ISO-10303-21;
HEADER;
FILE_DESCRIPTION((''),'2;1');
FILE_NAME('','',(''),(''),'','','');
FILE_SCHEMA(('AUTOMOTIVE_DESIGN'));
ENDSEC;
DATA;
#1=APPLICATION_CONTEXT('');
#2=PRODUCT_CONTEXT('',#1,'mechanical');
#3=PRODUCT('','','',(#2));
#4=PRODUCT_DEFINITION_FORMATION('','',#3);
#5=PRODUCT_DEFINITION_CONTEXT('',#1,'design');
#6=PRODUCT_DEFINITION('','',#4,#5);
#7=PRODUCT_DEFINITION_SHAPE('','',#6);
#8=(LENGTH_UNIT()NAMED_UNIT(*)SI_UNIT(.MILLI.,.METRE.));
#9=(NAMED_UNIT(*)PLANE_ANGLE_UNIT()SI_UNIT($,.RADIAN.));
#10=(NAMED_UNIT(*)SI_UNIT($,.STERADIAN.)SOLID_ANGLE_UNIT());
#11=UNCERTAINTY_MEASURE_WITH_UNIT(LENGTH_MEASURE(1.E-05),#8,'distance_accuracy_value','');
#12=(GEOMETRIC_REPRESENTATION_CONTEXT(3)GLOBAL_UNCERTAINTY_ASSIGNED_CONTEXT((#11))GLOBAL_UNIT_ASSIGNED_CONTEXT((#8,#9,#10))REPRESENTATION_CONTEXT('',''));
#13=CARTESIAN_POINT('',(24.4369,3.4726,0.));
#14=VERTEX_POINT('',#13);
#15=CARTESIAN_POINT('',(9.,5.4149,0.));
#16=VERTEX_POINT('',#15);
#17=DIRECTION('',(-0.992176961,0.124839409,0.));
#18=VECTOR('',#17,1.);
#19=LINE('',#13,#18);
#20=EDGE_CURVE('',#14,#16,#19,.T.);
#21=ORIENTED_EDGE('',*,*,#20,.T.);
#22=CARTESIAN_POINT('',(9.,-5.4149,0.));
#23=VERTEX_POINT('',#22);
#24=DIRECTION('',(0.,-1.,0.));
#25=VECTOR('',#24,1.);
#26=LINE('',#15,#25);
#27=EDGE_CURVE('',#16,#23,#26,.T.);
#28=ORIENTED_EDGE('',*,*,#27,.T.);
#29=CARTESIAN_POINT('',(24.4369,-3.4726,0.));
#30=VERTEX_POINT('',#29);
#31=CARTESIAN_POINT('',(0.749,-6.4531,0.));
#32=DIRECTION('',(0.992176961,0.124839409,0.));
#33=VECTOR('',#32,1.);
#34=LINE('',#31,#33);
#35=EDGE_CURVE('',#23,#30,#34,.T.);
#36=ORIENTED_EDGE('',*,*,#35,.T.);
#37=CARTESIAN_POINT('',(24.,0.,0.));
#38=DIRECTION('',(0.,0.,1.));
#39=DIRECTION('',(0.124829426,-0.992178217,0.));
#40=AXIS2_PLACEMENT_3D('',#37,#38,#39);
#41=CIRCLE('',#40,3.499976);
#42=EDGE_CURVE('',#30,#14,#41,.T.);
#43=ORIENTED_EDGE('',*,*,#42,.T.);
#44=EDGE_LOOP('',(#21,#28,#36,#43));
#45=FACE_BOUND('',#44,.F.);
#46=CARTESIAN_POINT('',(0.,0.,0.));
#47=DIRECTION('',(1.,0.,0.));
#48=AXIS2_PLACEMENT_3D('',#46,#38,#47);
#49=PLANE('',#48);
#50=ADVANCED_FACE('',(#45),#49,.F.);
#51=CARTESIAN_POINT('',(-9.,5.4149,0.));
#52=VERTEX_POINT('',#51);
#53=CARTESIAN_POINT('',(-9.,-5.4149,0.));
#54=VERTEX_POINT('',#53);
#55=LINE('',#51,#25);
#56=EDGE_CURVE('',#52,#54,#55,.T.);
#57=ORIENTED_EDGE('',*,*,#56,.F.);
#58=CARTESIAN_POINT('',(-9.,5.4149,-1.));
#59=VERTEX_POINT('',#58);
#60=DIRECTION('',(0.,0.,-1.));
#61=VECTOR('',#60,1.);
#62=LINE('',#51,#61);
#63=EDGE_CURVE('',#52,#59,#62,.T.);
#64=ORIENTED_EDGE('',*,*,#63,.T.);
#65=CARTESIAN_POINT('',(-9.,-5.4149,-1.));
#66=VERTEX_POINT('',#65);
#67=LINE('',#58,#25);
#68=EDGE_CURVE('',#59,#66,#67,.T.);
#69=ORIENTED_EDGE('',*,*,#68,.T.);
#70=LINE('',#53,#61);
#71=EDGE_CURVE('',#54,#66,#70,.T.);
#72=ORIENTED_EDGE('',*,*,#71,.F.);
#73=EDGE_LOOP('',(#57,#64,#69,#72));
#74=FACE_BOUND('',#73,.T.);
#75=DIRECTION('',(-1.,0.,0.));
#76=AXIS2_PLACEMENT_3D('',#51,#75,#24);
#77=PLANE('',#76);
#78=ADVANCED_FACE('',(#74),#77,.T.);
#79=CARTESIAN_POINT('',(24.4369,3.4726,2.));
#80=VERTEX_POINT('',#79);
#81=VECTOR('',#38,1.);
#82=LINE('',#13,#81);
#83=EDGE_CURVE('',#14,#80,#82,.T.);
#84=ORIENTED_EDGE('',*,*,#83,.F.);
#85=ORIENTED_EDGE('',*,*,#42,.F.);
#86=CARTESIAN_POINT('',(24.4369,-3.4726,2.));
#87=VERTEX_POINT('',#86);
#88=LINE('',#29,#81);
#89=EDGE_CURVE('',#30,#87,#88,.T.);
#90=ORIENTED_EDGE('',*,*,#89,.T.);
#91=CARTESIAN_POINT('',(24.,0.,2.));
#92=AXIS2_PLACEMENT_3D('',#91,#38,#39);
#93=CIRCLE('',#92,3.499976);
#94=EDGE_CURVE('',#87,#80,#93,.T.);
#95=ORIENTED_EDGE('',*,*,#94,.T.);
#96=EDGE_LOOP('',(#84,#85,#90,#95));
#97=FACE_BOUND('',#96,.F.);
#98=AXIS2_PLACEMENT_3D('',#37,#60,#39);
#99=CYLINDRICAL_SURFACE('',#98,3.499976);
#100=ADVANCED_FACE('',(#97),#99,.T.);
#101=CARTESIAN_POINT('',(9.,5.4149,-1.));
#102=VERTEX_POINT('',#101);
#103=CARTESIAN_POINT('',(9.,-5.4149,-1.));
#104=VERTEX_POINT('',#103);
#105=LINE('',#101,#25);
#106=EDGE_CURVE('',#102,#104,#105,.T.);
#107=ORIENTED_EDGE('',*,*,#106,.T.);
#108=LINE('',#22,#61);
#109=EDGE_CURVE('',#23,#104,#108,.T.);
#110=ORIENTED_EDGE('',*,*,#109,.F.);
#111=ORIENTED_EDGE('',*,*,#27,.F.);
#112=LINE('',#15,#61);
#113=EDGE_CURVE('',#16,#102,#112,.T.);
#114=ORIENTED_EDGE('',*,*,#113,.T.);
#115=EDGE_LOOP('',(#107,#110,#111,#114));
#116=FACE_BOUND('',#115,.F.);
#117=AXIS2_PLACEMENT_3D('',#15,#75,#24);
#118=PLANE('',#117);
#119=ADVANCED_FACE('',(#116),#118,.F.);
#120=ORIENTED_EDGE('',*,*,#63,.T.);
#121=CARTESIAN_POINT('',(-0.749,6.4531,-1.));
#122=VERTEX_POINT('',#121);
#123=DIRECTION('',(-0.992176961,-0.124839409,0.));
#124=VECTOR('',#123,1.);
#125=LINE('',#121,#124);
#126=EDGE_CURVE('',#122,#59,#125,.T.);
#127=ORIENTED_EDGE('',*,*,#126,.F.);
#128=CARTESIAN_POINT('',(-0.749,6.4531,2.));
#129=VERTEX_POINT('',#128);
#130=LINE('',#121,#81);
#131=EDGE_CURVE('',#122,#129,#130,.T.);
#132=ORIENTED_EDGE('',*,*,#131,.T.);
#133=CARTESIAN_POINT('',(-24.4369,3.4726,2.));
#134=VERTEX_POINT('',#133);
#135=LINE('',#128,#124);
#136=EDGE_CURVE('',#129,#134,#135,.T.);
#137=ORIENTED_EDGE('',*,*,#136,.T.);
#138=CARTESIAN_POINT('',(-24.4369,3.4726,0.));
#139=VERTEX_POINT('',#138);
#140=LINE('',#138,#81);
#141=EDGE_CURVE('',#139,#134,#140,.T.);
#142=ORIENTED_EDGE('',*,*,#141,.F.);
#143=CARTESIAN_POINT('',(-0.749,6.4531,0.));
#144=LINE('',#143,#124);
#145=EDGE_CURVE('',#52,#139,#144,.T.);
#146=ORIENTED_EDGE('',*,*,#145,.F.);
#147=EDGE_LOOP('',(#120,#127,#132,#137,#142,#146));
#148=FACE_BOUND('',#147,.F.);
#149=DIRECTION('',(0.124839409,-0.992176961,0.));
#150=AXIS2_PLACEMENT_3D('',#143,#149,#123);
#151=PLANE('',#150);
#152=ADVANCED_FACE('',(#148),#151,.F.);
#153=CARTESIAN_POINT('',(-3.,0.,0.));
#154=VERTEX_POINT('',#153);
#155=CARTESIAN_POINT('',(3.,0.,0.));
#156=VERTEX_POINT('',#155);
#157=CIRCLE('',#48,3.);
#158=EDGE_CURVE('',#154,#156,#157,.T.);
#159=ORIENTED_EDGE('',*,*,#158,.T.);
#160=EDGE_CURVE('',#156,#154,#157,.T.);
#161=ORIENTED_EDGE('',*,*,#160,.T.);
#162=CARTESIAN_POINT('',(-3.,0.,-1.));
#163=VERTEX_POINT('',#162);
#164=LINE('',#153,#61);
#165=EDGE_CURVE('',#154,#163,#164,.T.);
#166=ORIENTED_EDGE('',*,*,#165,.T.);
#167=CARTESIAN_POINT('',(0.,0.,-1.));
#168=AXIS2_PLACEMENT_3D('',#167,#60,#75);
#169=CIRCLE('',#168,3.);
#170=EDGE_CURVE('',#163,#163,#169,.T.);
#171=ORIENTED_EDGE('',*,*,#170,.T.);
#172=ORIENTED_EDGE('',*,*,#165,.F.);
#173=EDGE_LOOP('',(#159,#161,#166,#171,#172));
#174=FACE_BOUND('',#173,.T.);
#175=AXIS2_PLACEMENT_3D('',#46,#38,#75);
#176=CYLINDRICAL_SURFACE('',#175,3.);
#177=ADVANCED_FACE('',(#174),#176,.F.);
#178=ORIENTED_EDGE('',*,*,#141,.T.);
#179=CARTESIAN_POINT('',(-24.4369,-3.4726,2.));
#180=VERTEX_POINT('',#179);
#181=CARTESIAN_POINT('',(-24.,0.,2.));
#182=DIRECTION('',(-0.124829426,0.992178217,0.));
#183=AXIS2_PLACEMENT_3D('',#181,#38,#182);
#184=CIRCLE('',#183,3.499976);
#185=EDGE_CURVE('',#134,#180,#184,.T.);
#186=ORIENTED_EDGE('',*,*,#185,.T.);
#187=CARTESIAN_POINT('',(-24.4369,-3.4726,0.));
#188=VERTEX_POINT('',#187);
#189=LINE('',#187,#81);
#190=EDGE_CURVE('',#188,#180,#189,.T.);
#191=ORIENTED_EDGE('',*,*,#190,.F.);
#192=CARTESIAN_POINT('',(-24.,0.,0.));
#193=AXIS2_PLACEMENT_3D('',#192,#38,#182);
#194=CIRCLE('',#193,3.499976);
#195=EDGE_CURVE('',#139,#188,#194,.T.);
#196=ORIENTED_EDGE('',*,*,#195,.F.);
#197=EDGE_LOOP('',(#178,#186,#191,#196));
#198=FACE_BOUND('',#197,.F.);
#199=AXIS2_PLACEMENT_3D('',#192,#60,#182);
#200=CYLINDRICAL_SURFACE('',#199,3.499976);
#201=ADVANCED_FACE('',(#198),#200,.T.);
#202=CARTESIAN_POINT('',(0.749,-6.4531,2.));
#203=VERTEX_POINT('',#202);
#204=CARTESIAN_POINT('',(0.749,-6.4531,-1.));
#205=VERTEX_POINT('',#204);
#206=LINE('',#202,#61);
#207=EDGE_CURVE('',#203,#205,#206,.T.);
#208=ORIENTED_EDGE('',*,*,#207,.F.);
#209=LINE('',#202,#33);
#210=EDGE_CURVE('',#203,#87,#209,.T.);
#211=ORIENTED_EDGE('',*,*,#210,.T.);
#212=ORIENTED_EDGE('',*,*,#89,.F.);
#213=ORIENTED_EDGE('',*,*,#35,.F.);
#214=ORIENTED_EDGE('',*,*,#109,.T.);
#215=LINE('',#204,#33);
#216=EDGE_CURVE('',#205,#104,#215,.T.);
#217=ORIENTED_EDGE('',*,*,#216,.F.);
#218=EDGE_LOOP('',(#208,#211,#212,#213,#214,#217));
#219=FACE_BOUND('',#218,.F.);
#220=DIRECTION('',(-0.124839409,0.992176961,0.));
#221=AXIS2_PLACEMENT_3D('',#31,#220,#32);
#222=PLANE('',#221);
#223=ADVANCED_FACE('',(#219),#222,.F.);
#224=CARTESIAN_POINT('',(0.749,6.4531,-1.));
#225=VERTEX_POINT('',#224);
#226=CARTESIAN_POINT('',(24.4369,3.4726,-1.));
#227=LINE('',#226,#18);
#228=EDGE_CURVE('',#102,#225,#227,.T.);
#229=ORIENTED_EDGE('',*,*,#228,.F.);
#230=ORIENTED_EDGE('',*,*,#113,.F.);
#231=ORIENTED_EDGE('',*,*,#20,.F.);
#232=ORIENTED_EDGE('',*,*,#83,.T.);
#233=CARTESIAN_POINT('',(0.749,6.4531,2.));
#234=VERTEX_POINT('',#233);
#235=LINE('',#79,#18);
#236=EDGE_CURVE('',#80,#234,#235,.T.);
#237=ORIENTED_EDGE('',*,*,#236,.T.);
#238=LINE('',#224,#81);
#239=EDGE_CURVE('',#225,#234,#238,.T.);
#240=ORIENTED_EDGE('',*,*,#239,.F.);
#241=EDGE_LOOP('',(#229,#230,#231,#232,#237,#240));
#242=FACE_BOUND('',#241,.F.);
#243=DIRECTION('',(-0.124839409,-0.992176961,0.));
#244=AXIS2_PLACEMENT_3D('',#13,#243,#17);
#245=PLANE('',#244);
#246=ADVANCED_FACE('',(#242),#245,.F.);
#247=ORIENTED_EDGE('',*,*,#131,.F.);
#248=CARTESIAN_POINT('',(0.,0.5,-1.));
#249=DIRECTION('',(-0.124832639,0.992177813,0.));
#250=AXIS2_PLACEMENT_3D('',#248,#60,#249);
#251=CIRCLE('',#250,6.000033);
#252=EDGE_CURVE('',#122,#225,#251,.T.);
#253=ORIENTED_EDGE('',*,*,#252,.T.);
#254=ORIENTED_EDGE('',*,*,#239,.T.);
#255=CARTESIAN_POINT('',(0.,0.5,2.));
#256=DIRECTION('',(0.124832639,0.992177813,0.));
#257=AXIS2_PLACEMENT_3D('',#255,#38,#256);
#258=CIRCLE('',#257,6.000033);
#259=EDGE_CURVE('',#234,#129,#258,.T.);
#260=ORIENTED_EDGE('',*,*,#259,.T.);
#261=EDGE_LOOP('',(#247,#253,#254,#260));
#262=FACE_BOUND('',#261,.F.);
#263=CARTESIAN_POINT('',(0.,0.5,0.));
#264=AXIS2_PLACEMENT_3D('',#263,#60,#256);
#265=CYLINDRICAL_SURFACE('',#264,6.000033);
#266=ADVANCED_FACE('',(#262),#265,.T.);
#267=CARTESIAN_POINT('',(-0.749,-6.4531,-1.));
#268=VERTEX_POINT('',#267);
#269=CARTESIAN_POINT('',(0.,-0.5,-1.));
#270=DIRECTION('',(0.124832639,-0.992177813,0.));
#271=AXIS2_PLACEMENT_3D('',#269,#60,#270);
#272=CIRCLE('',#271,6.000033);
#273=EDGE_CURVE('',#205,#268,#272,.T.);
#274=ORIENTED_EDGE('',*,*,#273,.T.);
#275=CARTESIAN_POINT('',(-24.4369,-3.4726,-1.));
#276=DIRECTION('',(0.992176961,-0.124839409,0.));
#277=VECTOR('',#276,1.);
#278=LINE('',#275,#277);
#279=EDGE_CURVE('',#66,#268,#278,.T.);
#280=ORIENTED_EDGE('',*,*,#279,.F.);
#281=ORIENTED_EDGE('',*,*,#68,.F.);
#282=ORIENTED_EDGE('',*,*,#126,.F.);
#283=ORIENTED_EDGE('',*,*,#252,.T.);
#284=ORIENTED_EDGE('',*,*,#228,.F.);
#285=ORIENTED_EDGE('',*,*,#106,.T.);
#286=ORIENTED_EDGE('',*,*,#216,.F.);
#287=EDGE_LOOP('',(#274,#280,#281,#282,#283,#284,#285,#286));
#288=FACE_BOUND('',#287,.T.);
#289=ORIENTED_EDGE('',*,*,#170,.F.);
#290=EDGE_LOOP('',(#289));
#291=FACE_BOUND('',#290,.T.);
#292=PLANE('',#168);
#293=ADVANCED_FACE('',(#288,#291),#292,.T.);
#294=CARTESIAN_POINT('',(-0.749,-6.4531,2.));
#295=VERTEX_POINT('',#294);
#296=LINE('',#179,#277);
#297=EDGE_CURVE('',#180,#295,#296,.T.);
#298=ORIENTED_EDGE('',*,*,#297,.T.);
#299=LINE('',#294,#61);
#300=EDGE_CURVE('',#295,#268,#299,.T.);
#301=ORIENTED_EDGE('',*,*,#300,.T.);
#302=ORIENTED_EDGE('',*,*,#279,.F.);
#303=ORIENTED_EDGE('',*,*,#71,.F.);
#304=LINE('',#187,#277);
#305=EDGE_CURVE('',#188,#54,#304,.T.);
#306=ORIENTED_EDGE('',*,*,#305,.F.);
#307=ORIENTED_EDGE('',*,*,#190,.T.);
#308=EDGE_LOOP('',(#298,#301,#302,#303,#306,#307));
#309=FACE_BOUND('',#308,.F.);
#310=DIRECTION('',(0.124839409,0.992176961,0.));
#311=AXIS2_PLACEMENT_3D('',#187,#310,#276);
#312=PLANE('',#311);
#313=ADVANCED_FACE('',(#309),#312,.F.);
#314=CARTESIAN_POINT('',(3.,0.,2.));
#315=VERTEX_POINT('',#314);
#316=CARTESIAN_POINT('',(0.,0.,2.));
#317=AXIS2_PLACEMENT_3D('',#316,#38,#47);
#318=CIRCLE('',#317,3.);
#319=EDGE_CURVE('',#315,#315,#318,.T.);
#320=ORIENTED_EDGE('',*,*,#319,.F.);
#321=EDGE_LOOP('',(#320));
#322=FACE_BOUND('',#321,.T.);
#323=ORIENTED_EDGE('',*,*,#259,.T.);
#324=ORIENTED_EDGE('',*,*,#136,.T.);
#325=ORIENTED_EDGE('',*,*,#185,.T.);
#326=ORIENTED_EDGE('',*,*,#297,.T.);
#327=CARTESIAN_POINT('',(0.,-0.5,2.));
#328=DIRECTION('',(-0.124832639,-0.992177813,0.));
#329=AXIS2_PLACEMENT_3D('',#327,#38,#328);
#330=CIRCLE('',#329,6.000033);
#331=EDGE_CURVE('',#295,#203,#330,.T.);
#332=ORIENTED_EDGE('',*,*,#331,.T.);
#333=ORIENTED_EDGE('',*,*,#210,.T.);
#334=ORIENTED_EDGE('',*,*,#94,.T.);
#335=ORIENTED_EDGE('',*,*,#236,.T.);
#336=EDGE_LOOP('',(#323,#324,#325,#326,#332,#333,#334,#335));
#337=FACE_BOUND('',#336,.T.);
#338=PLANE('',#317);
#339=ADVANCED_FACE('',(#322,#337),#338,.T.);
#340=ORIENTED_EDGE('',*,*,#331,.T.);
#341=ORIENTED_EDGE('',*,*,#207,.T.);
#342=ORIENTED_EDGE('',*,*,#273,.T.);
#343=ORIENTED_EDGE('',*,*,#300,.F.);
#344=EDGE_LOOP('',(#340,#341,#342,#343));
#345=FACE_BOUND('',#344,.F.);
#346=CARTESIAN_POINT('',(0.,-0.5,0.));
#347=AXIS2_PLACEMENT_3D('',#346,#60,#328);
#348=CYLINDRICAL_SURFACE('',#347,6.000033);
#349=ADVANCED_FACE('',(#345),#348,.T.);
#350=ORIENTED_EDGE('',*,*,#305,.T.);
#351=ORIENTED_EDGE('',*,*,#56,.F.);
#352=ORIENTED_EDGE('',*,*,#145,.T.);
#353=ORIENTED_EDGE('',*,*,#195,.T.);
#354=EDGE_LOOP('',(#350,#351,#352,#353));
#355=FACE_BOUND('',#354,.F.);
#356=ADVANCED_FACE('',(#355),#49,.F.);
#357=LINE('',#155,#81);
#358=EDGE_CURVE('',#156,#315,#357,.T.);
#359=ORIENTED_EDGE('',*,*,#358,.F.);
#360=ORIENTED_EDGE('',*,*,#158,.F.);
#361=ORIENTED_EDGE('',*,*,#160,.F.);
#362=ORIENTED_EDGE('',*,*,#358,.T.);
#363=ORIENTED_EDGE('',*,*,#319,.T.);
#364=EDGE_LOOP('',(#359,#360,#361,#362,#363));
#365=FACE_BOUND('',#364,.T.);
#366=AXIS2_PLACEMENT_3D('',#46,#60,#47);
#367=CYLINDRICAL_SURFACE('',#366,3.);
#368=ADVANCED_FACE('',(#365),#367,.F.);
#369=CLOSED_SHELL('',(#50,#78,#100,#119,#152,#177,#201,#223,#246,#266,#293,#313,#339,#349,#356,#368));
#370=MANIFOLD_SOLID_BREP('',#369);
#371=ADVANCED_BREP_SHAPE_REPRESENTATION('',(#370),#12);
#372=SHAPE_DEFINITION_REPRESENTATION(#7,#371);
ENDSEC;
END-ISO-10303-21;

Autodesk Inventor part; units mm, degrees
ref_plane "YZ Plane" through (0, 0, 0) normal (1, 0, 0) x (0, 1, 0)
ref_plane "XZ Plane" through (0, 0, 0) normal (0, 1, 0) x (-1, 0, 0)
ref_plane "XY Plane" through (0, 0, 0) normal (0, 0, 1) x (1, 0, 0)
sketch "Sketch1" plane through (0, 0, 0) normal (0, 0, 1) x (1, 0, 0)
  line L0 (24.4369, 3.4726) -> (0.749, 6.4531)
  arc A0 (0.749, 6.4531) -> (-0.749, 6.4531) centre (0, 0.5) ccw
  line L1 (-0.749, 6.4531) -> (-24.4369, 3.4726)
  arc A1 (-24.4369, 3.4726) -> (-24.4369, -3.4726) centre (-24, 0) ccw
  line L2 (-24.4369, -3.4726) -> (-0.749, -6.4531)
  arc A2 (-0.749, -6.4531) -> (0.749, -6.4531) centre (0, -0.5) ccw
  line L3 (0.749, -6.4531) -> (24.4369, -3.4726)
  arc A3 (24.4369, -3.4726) -> (24.4369, 3.4726) centre (24, 0) ccw
  circle A4 centre (0, 0) radius 3
  dimension "d0" = 55
  dimension "d1" = 13
  dimension "d2" = 6
  dimension "d3" = 3.5
  dimension "d4" = 6
extrude "Extrusion1" add sketch "Sketch1" along normal blind 2
sketch "Sketch2" plane through (0, 0, 0) normal (0, 0, -1) x (-1, 0, 0)
  arc A0 (0.749, 6.4531) -> (-0.749, 6.4531) centre (0, 0.5) ccw projected
  line L0 (-24.4369, 3.4726) -> (-0.749, 6.4531) projected
  arc A1 (-24.4369, 3.4726) -> (-24.4369, -3.4726) centre (-24, 0) ccw construction
  line L1 (-0.749, -6.4531) -> (-24.4369, -3.4726) projected
  arc A2 (-0.749, -6.4531) -> (0.749, -6.4531) centre (0, -0.5) ccw projected
  line L2 (24.4369, -3.4726) -> (0.749, -6.4531) projected
  arc A3 (24.4369, -3.4726) -> (24.4369, 3.4726) centre (24, 0) ccw construction
  line L3 (0.749, 6.4531) -> (24.4369, 3.4726) projected
  circle A4 centre (0, 0) radius 3 projected
  line L4 (-9, 5.4149) -> (-9, -5.4149)
  line L5 (-24.4369, 3.4726) -> (-0.749, 6.4531) construction
  line L6 (9, 5.4149) -> (9, -5.4149)
  line L7 (0.749, 6.4531) -> (24.4369, 3.4726) construction
  dimension "d7" = 18
  dimension "d8" = 9
extrude "Extrusion2" add sketch "Sketch2" along normal blind 1
properties part number "NyArm"
